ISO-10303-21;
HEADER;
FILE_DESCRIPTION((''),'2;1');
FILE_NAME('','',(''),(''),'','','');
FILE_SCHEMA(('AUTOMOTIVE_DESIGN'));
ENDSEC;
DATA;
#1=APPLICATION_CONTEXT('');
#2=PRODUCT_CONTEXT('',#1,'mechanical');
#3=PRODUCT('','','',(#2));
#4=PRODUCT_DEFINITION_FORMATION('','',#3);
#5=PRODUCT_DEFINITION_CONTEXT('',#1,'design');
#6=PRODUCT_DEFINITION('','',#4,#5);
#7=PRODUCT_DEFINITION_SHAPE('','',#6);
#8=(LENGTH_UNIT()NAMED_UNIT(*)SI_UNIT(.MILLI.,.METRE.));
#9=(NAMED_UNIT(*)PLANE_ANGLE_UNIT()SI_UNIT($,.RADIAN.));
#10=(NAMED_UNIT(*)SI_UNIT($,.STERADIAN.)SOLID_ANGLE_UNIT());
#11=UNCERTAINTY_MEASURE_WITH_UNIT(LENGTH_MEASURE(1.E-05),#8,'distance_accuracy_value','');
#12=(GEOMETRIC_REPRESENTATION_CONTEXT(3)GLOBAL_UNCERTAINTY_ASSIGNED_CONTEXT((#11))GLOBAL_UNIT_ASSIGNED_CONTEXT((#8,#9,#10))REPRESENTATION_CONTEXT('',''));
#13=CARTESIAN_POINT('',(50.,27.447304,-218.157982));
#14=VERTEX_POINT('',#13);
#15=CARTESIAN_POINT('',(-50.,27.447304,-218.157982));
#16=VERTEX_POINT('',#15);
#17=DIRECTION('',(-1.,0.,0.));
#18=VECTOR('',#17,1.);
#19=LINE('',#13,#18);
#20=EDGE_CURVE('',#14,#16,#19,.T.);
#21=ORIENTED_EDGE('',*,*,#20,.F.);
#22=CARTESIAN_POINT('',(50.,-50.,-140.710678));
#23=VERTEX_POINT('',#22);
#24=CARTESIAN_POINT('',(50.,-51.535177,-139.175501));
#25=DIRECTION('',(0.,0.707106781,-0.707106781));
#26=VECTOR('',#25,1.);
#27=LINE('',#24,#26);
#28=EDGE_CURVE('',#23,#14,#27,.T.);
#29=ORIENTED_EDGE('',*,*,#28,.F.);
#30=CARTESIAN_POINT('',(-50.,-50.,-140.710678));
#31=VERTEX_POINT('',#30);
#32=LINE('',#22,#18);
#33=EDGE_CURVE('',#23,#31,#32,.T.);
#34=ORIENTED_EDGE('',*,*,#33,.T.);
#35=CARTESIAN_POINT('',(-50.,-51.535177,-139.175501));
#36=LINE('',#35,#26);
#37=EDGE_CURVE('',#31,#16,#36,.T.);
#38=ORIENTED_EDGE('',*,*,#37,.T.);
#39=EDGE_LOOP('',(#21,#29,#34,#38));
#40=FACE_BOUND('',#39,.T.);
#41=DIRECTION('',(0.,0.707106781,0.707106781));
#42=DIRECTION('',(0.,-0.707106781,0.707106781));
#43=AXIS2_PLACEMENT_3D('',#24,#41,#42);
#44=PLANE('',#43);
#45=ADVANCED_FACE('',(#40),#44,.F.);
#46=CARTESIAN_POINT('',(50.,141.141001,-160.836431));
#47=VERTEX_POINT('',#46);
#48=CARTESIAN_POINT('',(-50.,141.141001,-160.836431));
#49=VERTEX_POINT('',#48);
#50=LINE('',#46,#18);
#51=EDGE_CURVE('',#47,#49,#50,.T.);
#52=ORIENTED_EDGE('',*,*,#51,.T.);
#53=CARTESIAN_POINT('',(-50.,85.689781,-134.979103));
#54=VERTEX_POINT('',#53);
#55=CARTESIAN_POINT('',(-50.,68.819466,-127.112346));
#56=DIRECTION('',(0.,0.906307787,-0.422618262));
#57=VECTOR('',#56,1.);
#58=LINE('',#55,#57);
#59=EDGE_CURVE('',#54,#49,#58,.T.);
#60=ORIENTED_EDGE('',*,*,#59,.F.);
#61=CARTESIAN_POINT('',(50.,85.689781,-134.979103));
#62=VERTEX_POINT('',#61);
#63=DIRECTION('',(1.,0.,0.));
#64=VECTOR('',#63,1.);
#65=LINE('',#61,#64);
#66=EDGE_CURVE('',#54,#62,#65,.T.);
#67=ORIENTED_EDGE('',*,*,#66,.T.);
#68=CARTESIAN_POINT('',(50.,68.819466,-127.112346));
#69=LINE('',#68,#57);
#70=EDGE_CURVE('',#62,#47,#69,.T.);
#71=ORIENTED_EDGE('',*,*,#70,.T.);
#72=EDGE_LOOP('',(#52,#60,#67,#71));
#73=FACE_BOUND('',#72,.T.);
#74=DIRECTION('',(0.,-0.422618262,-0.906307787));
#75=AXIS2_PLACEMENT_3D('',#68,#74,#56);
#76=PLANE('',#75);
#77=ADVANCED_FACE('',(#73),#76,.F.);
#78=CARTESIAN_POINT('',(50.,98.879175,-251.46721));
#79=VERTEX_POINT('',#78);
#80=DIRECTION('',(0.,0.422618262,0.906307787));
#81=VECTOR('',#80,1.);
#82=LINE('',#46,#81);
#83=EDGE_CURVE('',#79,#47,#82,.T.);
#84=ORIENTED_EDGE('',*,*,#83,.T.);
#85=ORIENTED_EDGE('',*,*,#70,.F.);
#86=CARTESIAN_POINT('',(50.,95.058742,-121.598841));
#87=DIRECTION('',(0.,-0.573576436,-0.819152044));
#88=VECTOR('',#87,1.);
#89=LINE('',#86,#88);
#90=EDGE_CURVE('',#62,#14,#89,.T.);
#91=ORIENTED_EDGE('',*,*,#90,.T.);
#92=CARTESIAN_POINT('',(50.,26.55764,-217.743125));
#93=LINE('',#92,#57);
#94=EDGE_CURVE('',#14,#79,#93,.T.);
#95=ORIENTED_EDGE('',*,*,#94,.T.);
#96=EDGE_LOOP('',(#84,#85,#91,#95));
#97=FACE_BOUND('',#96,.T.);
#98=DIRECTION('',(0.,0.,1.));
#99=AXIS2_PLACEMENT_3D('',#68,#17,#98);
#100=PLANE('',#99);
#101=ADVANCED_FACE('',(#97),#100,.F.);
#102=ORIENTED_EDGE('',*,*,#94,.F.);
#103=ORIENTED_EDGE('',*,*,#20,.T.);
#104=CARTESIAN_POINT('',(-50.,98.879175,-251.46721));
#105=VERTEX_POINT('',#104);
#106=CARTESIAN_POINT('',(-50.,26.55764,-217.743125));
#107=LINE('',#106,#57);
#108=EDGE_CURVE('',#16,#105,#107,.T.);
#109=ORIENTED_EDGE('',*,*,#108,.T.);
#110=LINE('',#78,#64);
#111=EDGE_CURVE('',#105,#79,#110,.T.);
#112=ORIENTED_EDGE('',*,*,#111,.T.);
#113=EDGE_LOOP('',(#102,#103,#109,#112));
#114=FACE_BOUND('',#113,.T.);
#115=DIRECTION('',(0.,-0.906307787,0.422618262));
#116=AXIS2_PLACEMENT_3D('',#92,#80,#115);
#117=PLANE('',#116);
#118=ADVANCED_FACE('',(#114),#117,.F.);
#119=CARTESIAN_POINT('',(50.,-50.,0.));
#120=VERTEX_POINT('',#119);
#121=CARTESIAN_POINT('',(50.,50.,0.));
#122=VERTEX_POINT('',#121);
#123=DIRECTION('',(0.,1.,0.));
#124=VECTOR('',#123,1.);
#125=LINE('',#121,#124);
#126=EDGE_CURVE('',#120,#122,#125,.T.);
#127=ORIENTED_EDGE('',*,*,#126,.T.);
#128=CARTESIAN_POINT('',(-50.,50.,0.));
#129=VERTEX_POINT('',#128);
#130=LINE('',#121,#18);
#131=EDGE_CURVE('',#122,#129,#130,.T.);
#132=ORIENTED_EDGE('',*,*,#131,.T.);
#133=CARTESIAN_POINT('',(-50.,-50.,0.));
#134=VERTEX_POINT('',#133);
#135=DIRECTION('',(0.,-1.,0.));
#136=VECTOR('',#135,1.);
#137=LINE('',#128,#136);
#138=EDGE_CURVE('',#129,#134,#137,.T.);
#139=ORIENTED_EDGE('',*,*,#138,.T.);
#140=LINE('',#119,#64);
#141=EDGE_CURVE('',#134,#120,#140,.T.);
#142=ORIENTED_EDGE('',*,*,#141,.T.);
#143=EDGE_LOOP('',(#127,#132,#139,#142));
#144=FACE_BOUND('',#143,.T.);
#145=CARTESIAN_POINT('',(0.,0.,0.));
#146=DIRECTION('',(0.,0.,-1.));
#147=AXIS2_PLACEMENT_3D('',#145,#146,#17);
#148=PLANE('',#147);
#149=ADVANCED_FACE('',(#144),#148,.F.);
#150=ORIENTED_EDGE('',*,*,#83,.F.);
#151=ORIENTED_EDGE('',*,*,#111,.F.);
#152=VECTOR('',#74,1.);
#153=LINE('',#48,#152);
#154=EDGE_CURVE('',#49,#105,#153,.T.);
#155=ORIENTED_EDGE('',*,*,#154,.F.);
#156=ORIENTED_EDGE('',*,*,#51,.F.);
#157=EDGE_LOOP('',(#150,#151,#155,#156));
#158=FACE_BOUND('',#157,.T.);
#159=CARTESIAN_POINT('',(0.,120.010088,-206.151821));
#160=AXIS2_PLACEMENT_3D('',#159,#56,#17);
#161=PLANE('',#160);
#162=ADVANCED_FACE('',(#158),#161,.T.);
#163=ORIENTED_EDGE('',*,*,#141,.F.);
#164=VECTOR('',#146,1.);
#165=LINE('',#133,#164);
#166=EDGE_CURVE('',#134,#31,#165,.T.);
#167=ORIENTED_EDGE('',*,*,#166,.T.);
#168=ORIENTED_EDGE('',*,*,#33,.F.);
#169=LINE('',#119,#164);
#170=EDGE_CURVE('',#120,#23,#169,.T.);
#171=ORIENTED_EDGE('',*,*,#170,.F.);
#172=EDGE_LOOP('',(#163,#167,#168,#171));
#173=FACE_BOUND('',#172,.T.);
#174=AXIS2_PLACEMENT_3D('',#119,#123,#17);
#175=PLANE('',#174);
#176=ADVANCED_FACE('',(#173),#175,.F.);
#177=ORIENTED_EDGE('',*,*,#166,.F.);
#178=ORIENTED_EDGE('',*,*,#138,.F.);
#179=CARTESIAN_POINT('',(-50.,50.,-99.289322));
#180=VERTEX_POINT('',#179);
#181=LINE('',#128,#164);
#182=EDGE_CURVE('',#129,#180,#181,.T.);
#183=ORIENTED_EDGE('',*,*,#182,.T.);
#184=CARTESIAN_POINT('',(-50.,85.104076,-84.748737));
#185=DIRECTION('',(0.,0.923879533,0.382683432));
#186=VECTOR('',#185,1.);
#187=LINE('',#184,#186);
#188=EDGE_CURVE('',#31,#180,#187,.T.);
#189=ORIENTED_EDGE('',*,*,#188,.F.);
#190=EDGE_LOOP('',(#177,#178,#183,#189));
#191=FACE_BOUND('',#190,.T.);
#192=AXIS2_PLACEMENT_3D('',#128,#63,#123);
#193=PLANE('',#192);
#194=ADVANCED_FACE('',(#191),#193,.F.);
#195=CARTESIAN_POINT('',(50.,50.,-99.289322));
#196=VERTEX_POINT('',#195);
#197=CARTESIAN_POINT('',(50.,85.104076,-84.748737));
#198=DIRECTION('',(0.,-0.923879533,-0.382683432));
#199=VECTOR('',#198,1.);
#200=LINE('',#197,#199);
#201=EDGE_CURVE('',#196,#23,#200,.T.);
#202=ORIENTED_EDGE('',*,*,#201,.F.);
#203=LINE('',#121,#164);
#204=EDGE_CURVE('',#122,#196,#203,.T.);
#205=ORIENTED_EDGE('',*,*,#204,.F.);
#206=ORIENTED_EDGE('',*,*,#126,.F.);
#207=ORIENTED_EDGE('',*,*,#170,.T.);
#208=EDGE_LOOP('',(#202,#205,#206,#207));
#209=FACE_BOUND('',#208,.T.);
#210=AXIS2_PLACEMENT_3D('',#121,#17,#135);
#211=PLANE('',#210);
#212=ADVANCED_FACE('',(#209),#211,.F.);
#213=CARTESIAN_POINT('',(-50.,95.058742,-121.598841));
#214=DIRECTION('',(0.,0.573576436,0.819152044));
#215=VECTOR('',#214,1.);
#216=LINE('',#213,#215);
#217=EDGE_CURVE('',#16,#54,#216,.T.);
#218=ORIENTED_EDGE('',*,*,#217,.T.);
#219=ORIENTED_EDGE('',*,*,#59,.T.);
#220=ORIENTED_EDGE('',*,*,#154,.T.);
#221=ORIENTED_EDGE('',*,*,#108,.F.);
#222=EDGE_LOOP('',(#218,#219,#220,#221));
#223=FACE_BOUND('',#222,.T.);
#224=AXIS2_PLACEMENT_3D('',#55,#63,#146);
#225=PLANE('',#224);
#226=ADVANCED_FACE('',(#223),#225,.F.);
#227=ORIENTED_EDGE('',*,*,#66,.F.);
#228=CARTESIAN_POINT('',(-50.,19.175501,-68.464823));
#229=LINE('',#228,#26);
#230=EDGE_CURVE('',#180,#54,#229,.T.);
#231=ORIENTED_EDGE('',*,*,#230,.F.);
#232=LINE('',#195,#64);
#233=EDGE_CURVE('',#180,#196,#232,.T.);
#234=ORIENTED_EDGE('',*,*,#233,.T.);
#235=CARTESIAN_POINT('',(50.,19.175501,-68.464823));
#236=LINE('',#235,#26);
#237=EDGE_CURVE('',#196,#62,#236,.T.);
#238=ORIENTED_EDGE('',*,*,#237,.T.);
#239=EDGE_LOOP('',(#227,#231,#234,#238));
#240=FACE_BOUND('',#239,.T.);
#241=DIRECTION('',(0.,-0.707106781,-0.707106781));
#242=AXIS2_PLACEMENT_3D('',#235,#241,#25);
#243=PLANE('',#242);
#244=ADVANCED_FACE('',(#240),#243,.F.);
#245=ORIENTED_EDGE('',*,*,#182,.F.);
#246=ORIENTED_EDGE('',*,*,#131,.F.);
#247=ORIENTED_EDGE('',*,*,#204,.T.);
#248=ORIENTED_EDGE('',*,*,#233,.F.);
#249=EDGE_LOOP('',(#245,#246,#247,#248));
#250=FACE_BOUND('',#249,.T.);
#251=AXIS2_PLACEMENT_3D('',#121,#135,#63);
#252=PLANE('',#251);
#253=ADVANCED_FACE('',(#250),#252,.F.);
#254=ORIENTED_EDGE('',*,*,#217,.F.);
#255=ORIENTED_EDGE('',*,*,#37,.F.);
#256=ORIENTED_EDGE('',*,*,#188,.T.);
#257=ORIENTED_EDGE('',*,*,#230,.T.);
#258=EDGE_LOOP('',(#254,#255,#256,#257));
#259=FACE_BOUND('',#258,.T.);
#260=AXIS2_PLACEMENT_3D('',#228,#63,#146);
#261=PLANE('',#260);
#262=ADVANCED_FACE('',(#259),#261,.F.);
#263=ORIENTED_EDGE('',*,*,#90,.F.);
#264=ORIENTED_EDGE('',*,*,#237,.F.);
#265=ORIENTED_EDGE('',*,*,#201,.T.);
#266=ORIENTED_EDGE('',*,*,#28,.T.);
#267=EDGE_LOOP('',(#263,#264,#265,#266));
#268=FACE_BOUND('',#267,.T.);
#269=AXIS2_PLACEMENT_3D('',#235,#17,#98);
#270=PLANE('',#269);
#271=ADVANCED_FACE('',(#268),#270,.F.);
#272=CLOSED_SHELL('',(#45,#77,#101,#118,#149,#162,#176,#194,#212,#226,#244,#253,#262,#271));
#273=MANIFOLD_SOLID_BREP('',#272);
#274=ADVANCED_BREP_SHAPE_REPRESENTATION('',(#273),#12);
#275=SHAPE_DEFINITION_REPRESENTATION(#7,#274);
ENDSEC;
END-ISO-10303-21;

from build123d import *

# Parameters (mm, degrees)
SKETCH1_W = 100
SKETCH1_H = 100


with BuildPart() as part:
    # Sweep1: sweep along a path in Sketch3
    with BuildLine(Plane(origin=(0, 0, 0), x_dir=(0, 0, -1), z_dir=(1, 0, 0))) as sweep1_path:
        Line((0, 0), (120, 0))
        Line((120, 0), (176.568542495, 56.568542495))
        Line((176.568542495, 56.568542495), (206.151820817, 120.010087587))
    # Sketch1 → Sweep1 (sweep)
    with BuildSketch(Plane.XY):
        Rectangle(SKETCH1_W, SKETCH1_H)
    sweep(path=sweep1_path.line, transition=Transition.RIGHT)


solid = part.part
